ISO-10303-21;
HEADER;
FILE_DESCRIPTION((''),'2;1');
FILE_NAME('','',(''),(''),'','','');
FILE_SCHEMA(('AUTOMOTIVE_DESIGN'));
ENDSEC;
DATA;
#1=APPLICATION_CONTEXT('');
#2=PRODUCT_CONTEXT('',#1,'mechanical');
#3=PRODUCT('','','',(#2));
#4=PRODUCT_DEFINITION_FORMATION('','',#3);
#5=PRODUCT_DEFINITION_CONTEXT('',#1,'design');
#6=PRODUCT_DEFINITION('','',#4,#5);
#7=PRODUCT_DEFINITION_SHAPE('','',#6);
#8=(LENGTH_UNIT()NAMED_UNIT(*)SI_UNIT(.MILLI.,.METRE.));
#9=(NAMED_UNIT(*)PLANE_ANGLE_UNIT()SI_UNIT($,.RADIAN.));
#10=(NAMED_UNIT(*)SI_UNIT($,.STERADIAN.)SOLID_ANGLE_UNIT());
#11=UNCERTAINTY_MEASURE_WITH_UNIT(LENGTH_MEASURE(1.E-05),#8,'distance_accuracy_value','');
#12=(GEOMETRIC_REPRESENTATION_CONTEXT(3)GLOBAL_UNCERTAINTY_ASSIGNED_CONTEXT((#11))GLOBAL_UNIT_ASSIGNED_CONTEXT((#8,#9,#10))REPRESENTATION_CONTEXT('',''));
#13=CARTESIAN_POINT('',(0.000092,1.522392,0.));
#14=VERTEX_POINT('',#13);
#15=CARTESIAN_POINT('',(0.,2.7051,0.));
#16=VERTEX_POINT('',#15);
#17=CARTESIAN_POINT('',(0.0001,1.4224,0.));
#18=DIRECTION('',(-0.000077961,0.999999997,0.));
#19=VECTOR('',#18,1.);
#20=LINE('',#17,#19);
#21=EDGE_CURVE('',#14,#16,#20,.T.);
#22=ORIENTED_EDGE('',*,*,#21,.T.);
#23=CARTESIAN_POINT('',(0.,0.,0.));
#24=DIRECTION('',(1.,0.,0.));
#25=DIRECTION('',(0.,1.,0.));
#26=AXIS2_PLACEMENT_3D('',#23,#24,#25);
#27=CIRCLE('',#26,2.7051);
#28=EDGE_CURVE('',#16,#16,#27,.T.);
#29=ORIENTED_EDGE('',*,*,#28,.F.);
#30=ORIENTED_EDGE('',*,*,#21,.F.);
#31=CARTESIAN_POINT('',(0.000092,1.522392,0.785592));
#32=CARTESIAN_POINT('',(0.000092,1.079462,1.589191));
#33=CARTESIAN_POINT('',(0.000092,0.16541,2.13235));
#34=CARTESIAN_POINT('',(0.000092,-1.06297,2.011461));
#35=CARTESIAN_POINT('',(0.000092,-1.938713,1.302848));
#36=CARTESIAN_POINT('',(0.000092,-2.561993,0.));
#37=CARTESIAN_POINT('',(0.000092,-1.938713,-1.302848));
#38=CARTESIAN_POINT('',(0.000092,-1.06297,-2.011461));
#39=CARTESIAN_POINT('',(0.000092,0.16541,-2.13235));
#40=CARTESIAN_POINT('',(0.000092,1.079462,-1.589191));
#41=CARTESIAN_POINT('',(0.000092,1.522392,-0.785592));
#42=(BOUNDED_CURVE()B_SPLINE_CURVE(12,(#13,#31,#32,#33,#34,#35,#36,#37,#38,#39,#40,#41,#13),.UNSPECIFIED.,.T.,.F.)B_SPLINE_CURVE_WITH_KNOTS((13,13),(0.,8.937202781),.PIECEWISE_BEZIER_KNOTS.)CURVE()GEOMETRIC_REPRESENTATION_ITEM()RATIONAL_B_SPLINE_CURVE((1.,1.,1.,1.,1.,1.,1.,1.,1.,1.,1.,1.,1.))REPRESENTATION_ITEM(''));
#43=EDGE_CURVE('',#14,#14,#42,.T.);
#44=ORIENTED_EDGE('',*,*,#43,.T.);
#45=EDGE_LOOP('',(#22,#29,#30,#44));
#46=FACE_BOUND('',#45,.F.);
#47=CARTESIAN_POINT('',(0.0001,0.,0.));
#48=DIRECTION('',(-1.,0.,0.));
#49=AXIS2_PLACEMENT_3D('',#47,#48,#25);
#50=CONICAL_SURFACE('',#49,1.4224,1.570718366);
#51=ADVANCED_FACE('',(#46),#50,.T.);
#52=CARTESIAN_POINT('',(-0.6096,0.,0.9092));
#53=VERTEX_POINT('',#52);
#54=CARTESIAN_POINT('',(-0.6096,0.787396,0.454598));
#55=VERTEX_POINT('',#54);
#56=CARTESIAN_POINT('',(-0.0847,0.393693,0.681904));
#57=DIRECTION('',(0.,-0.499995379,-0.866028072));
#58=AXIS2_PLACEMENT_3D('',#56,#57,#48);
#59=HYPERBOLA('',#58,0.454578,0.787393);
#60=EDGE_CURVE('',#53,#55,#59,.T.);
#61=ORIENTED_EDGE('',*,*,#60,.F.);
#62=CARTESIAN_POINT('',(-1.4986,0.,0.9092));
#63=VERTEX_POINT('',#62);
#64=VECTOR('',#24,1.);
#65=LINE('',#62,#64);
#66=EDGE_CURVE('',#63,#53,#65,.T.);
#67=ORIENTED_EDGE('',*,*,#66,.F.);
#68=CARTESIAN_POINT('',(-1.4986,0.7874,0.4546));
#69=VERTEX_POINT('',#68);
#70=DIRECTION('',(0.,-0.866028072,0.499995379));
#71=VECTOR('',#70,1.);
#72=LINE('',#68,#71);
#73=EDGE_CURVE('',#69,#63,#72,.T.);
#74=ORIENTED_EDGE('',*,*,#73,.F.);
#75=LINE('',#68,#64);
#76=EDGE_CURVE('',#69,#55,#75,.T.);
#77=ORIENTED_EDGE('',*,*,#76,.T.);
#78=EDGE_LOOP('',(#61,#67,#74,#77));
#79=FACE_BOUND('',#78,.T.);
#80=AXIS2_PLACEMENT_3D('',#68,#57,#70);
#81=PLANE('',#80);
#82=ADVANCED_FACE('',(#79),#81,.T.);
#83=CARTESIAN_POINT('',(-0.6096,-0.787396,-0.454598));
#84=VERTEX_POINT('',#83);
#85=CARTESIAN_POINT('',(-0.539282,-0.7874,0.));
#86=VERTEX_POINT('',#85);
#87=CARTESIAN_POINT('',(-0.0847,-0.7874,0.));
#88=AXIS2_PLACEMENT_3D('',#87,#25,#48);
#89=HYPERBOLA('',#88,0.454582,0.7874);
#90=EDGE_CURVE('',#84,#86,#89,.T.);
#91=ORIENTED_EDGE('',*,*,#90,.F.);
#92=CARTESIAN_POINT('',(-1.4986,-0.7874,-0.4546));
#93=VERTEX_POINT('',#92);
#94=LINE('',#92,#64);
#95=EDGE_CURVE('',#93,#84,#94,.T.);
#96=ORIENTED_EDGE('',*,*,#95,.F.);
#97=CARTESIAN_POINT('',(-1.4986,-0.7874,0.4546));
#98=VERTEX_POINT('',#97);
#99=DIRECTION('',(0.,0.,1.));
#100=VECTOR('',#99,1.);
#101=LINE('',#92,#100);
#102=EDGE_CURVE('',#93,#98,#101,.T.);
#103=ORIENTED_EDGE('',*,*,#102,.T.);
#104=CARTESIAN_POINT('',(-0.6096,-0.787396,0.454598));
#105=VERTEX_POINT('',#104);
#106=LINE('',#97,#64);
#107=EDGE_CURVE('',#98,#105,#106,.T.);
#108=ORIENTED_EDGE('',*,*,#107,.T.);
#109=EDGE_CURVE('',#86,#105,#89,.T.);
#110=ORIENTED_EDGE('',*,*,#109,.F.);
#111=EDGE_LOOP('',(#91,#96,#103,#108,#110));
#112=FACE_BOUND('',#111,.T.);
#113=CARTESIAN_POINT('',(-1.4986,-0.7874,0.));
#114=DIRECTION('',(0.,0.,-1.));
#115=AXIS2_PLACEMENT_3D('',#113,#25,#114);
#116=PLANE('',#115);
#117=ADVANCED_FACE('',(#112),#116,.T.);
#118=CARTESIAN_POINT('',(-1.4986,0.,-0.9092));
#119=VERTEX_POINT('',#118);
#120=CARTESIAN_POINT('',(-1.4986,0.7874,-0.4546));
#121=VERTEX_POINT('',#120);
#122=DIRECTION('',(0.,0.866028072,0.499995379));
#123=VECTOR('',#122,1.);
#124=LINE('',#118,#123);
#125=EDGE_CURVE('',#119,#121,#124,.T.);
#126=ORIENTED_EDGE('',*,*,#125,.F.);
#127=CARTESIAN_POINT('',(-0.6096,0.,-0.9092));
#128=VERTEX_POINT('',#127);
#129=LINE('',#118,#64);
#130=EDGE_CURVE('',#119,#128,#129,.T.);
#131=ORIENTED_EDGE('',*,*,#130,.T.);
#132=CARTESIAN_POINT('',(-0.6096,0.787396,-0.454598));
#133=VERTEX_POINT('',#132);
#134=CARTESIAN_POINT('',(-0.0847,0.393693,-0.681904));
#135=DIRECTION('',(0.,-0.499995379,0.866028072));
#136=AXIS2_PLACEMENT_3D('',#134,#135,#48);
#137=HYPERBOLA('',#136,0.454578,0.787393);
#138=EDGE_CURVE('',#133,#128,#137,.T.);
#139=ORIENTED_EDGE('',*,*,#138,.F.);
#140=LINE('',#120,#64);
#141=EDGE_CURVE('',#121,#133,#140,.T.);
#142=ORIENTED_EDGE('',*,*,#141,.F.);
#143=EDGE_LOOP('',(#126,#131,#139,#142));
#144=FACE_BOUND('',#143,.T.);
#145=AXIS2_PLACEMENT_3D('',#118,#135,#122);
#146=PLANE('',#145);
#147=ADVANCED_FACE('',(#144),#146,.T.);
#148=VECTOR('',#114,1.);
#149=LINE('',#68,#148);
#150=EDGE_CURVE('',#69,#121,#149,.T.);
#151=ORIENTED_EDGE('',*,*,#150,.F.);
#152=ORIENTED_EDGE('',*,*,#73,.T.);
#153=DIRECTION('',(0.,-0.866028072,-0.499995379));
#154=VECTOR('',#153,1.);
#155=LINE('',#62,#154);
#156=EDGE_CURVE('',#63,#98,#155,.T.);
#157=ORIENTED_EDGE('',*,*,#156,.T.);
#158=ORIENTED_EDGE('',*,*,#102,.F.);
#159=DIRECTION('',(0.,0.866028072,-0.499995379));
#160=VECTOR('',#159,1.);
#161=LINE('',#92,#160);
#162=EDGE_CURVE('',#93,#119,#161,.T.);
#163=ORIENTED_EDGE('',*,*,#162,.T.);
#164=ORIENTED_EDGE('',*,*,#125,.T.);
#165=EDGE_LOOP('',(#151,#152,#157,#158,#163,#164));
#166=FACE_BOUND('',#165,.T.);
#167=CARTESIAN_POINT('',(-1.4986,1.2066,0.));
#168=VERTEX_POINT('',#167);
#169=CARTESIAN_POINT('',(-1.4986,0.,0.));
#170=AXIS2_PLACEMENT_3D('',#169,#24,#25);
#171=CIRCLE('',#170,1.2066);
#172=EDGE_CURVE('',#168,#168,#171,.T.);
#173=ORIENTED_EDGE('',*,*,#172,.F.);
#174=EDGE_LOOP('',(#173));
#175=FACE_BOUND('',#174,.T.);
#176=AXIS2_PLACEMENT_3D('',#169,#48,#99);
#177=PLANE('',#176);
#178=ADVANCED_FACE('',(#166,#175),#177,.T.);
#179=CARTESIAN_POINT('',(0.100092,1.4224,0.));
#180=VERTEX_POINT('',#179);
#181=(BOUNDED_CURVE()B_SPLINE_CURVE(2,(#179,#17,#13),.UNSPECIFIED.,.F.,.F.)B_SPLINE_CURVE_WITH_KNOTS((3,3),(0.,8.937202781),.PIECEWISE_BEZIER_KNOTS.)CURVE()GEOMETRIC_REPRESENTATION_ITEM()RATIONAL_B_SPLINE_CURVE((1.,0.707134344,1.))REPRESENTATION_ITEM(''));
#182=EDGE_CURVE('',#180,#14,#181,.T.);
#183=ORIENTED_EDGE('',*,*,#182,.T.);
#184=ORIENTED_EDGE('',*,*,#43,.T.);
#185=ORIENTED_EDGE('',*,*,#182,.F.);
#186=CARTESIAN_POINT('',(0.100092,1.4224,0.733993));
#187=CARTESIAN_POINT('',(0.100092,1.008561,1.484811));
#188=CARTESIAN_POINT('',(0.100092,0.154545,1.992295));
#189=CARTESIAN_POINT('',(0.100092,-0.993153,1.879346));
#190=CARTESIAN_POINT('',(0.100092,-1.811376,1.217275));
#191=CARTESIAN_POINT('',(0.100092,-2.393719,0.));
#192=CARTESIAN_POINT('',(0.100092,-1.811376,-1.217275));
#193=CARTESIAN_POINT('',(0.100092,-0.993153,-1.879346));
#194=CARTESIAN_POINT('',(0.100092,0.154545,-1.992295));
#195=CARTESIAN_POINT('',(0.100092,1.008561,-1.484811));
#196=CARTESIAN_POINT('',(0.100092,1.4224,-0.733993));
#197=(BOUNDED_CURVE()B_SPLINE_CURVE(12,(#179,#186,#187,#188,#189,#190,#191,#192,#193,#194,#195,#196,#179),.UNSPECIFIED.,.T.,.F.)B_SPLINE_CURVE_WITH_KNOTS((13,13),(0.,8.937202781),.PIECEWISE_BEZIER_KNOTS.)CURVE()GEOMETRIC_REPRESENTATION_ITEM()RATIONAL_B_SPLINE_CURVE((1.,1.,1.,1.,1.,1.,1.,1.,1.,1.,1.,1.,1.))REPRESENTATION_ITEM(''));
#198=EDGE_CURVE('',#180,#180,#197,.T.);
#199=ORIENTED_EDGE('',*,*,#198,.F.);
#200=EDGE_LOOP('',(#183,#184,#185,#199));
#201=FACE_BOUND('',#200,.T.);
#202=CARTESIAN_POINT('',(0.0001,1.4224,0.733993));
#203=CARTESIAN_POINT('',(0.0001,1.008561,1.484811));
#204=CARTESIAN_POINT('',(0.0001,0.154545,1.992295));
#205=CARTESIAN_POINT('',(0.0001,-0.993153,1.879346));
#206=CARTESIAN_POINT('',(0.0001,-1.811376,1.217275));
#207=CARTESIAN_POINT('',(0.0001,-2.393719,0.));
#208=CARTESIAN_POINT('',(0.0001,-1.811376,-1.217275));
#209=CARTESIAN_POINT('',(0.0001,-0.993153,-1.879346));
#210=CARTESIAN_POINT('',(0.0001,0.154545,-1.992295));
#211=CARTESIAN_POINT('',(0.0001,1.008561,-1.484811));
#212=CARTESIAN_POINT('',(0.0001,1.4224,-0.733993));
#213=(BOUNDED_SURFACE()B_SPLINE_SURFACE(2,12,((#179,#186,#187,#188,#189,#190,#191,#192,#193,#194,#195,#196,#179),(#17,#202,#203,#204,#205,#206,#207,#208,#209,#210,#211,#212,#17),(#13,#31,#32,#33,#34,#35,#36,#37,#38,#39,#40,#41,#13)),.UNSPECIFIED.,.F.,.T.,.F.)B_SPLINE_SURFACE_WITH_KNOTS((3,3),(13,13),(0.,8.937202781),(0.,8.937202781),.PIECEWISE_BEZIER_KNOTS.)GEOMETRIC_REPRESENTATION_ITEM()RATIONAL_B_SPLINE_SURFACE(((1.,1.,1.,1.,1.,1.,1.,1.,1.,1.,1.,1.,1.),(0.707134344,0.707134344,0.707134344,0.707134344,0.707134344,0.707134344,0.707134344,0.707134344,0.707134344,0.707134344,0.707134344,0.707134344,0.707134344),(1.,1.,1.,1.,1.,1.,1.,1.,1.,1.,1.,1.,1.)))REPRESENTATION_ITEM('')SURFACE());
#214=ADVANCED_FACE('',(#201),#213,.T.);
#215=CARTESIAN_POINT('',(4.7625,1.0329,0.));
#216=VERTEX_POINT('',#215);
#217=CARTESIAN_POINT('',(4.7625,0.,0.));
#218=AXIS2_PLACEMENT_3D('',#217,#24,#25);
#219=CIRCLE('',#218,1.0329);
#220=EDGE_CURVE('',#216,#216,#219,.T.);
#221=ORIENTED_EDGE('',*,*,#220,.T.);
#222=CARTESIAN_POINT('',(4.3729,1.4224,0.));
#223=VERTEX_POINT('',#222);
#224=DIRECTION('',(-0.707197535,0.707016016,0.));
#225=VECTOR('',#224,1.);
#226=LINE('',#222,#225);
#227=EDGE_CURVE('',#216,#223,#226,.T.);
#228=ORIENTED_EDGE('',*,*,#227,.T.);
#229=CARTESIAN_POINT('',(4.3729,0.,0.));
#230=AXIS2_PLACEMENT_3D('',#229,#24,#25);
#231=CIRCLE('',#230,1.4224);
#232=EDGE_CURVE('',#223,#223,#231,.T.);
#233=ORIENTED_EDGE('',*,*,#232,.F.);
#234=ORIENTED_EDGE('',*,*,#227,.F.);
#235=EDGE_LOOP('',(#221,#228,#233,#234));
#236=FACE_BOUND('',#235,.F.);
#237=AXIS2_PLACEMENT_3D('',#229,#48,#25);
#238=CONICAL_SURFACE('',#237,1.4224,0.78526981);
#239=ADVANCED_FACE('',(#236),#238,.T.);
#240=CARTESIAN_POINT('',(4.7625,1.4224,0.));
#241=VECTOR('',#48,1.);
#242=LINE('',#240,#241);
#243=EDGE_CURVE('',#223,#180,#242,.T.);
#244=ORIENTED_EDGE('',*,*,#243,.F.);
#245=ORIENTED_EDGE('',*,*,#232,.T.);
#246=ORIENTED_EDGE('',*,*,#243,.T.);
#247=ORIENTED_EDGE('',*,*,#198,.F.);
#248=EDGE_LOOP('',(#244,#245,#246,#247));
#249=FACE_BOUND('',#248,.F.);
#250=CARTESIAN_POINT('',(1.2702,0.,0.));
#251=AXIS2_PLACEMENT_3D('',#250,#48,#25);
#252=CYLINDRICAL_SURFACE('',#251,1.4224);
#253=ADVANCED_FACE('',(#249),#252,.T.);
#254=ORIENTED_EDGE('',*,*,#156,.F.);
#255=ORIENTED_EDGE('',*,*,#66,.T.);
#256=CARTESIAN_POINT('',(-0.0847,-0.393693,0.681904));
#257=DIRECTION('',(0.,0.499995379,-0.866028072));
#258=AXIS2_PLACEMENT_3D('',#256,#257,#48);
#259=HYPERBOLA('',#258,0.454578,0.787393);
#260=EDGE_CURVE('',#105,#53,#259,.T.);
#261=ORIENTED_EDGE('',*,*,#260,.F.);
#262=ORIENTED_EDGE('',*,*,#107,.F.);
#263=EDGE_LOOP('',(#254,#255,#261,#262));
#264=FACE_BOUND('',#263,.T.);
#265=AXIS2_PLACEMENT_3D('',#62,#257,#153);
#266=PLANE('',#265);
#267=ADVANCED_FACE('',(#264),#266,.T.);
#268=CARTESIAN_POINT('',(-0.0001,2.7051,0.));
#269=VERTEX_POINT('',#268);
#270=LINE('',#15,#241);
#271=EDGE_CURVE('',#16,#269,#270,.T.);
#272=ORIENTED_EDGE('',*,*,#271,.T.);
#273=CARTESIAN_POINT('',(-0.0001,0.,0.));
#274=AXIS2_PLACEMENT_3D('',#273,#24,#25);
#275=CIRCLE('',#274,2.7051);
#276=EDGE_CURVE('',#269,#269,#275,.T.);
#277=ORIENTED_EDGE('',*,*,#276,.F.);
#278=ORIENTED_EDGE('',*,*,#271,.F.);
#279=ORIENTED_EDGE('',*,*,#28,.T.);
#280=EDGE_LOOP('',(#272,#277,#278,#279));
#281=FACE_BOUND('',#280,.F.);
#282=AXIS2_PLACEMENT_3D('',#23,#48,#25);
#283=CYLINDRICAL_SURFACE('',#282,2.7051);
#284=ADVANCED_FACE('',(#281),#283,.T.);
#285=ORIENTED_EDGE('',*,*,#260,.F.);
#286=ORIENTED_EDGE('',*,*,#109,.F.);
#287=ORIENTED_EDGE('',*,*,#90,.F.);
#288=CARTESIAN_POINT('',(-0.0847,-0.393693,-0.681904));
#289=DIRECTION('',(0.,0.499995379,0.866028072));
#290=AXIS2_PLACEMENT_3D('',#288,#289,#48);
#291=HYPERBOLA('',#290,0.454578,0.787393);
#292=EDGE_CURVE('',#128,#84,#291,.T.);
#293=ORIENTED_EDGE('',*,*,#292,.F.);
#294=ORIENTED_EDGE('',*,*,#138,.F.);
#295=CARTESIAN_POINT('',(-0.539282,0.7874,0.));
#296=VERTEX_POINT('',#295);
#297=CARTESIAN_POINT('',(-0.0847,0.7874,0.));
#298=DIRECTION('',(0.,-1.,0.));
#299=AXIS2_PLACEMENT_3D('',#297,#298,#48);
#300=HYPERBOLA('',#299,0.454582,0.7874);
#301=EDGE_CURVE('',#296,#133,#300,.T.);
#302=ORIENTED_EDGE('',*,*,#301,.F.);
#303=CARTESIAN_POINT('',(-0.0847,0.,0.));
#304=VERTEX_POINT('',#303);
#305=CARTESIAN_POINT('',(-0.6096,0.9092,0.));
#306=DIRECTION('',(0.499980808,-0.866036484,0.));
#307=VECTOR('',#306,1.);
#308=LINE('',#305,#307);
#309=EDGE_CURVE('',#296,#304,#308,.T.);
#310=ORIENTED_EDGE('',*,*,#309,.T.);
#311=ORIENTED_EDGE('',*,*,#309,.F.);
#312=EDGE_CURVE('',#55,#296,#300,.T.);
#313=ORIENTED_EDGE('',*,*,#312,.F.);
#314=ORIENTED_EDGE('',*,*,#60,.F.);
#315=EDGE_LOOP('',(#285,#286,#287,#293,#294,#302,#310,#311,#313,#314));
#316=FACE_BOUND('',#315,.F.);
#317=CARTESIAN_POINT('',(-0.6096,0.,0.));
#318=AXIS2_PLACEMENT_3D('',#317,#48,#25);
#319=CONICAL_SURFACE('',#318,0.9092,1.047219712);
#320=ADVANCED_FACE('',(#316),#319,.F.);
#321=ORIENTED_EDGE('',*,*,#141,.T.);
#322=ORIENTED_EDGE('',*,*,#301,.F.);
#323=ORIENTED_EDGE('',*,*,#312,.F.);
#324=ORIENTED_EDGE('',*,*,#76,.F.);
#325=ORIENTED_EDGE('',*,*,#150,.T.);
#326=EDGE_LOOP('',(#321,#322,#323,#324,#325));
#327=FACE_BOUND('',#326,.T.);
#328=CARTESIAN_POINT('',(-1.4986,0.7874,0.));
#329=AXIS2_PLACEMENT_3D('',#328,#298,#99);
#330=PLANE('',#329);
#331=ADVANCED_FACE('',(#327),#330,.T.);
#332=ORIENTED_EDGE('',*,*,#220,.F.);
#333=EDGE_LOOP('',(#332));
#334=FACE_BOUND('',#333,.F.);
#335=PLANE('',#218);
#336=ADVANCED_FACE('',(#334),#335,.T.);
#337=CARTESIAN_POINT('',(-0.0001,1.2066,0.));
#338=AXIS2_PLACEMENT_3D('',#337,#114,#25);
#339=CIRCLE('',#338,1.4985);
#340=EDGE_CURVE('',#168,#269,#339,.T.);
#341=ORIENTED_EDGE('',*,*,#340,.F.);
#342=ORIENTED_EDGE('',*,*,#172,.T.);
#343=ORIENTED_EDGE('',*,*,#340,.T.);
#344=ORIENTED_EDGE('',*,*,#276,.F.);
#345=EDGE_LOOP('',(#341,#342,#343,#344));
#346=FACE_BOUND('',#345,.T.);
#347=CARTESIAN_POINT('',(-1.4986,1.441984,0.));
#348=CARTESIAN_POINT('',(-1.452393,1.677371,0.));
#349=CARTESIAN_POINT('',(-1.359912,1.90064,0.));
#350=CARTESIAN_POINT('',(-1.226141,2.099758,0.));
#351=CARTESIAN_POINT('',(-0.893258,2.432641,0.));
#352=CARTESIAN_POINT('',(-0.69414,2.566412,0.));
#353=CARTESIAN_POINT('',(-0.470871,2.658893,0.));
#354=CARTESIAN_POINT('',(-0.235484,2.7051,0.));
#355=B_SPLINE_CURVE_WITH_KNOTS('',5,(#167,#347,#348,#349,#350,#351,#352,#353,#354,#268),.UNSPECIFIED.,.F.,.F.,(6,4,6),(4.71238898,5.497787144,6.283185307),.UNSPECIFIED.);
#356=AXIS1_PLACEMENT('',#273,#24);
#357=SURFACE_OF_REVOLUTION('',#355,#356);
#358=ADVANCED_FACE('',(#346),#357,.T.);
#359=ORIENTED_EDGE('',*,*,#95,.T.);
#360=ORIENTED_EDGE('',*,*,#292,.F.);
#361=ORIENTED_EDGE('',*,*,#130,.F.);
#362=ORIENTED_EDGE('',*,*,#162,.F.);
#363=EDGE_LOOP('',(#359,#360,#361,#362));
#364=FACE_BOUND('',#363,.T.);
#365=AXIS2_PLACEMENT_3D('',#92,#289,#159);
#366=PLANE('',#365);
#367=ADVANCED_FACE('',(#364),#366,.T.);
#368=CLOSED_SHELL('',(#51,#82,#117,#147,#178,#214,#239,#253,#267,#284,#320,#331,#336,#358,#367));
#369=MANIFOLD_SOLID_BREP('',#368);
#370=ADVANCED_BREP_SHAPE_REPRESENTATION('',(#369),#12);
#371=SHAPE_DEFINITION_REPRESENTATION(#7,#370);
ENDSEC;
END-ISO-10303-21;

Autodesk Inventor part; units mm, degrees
ref_plane "YZ Plane" through (0, 0, 0) normal (1, 0, 0) x (0, 1, 0)
ref_plane "XZ Plane" through (0, 0, 0) normal (0, 1, 0) x (-1, 0, 0)
sketch "Sketch1" plane through (0, 0, 0) normal (0, 0, 1) x (1, 0, 0)
  line L0 (-0.0847, 0) -> (4.7625, 0)
  line L1 (4.7625, 0) -> (4.7625, 1.4224)
  line L2 (4.7625, 1.4224) -> (1.2702, 1.4224)
  line L3 (1.2702, 1.4224) -> (0.0001, 1.4224)
  line L4 (0.0001, 1.4224) -> (0, 1.4224)
  line L5 (0, 1.4224) -> (0, 2.7051)
  line L6 (0, 2.7051) -> (-1.4986, 2.7051)
  line L7 (-1.4986, 2.7051) -> (-1.4986, 0.9092)
  line L8 (-1.4986, 0.9092) -> (-0.6096, 0.9092)
  line L9 (-0.6096, 0.9092) -> (-0.0847, 0)
  line L10 (-2.7508, 0) -> (6.0147, 0) projected
  line L11 (0, -0.541) -> (0, 3.2461) projected
  line L12 (1.2702, 1.4224) -> (0, 1.4224) construction
  dimension "d1" = 3.4923
  dimension "d2" = 1.2701
  dimension "d3" = 1.4986
  dimension "d4" = 0.889
  dimension "d5" = 60
  dimension "d6" = 2.8448
  dimension "d7" = 2.8448
  dimension "d8" = 1.8184
  dimension "d9" = 5.4102
  dimension "d26" = 4.7625
revolve "Body" add sketch "Sketch1" angle 360 about axis through (-0.0847, 0, 0) along (1, 0, 0)
sketch "Sketch2" plane through (-1.4986, 0, 0) normal (-1, 0, 0) x (0, 0, 1)
  circle A0 centre (0, 0) radius 0.9092 projected
  line L0 (0, -3.7871) -> (0, 3.7871) projected
  line L1 (-3.7871, 0) -> (3.7871, 0) projected
  line L2 (0.9092, 0) -> (0.4546, -0.7874)
  line L3 (0.4546, -0.7874) -> (-0.4546, -0.7874)
  line L4 (-0.4546, -0.7874) -> (-0.9092, 0)
  line L5 (-0.9092, 0) -> (-0.4546, 0.7874)
  line L6 (-0.4546, 0.7874) -> (0.4546, 0.7874)
  line L7 (0.4546, 0.7874) -> (0.9092, 0)
extrude "Slot" add sketch "Sketch2" against normal up to next contours L7 A0 | A0 L2 | L6 L0 A0 | A0 L0 L3 | L0 L6 A0 | A0 L3 L0 | L4 A0 | A0 L5
fillet "Fillet1" radius 1.4985 1 edges at (-1.4986, -2.7051, 0)
thread "Thread" size "4-40 UNC" class "2A" standard "ANSI Unified Screw Threads" length 3.4923
chamfer "Chamfer1" distance 0.3895 distance2 0.3896 1 edges at (4.7625, -1.4224, 0) measured on face at (4.7625, -0.0627, 0.6443)
ref_plane "Work Plane1" through (29, 0, 0) normal (0, -1, 0) x (1, 0, 0)
fillet "Fillet2" radius 0.1 1 edges at (0.0001, -1.4224, 0)
equation "\"d1\" = GEL"
equation "\"d3\" = KOH"
equation "\"d4\" = INTI"
equation "\"d6\" = GD"
equation "\"d7\" = BDM"
equation "\"d8\" = 1.1547 * SW"
equation "\"d9\" = KOD"
equation "\"d26\" = NLG"
equation "\"d30\" = R"
equation "\"d17\" = RR"
equation "\"d13\" = GEL"
equation "\"d15\" = -0.5 * SPD + 0.5 * GD"
equation "\"d16\" = GUL"
equation "\"GD\" = NND"
equation "\"NLG\" = 4.7625"
equation "\"GEL\" = 3.4923"
equation "\"KOD\" = 5.4102"
equation "\"KOH\" = 1.4986"
equation "\"INTI\" = 0.889"
equation "\"GAL\" = 1.27"
equation "\"GUL\" = 0.38964"
equation "\"BDM\" = NND"
equation "\"SW\" = 1.5748"
equation "\"RR\" = 1.4985"
equation "\"SPD\" = 2.06578"
equation "\"R\" = 0.1"
equation "\"TOA\" = 30deg"
equation "\"GD1\" = SPD"
equation "\"THREADDIA\" = 2.8448"
equation "\"KOH1\" = 0.381"
equation "\"NND\" = 2.8448"
equation "\"E0\" = 1.81889"
properties part number "ANSI B18.3 - 4 - 40 x 3/16, HSBHCSI" material "Steel, Mild"
